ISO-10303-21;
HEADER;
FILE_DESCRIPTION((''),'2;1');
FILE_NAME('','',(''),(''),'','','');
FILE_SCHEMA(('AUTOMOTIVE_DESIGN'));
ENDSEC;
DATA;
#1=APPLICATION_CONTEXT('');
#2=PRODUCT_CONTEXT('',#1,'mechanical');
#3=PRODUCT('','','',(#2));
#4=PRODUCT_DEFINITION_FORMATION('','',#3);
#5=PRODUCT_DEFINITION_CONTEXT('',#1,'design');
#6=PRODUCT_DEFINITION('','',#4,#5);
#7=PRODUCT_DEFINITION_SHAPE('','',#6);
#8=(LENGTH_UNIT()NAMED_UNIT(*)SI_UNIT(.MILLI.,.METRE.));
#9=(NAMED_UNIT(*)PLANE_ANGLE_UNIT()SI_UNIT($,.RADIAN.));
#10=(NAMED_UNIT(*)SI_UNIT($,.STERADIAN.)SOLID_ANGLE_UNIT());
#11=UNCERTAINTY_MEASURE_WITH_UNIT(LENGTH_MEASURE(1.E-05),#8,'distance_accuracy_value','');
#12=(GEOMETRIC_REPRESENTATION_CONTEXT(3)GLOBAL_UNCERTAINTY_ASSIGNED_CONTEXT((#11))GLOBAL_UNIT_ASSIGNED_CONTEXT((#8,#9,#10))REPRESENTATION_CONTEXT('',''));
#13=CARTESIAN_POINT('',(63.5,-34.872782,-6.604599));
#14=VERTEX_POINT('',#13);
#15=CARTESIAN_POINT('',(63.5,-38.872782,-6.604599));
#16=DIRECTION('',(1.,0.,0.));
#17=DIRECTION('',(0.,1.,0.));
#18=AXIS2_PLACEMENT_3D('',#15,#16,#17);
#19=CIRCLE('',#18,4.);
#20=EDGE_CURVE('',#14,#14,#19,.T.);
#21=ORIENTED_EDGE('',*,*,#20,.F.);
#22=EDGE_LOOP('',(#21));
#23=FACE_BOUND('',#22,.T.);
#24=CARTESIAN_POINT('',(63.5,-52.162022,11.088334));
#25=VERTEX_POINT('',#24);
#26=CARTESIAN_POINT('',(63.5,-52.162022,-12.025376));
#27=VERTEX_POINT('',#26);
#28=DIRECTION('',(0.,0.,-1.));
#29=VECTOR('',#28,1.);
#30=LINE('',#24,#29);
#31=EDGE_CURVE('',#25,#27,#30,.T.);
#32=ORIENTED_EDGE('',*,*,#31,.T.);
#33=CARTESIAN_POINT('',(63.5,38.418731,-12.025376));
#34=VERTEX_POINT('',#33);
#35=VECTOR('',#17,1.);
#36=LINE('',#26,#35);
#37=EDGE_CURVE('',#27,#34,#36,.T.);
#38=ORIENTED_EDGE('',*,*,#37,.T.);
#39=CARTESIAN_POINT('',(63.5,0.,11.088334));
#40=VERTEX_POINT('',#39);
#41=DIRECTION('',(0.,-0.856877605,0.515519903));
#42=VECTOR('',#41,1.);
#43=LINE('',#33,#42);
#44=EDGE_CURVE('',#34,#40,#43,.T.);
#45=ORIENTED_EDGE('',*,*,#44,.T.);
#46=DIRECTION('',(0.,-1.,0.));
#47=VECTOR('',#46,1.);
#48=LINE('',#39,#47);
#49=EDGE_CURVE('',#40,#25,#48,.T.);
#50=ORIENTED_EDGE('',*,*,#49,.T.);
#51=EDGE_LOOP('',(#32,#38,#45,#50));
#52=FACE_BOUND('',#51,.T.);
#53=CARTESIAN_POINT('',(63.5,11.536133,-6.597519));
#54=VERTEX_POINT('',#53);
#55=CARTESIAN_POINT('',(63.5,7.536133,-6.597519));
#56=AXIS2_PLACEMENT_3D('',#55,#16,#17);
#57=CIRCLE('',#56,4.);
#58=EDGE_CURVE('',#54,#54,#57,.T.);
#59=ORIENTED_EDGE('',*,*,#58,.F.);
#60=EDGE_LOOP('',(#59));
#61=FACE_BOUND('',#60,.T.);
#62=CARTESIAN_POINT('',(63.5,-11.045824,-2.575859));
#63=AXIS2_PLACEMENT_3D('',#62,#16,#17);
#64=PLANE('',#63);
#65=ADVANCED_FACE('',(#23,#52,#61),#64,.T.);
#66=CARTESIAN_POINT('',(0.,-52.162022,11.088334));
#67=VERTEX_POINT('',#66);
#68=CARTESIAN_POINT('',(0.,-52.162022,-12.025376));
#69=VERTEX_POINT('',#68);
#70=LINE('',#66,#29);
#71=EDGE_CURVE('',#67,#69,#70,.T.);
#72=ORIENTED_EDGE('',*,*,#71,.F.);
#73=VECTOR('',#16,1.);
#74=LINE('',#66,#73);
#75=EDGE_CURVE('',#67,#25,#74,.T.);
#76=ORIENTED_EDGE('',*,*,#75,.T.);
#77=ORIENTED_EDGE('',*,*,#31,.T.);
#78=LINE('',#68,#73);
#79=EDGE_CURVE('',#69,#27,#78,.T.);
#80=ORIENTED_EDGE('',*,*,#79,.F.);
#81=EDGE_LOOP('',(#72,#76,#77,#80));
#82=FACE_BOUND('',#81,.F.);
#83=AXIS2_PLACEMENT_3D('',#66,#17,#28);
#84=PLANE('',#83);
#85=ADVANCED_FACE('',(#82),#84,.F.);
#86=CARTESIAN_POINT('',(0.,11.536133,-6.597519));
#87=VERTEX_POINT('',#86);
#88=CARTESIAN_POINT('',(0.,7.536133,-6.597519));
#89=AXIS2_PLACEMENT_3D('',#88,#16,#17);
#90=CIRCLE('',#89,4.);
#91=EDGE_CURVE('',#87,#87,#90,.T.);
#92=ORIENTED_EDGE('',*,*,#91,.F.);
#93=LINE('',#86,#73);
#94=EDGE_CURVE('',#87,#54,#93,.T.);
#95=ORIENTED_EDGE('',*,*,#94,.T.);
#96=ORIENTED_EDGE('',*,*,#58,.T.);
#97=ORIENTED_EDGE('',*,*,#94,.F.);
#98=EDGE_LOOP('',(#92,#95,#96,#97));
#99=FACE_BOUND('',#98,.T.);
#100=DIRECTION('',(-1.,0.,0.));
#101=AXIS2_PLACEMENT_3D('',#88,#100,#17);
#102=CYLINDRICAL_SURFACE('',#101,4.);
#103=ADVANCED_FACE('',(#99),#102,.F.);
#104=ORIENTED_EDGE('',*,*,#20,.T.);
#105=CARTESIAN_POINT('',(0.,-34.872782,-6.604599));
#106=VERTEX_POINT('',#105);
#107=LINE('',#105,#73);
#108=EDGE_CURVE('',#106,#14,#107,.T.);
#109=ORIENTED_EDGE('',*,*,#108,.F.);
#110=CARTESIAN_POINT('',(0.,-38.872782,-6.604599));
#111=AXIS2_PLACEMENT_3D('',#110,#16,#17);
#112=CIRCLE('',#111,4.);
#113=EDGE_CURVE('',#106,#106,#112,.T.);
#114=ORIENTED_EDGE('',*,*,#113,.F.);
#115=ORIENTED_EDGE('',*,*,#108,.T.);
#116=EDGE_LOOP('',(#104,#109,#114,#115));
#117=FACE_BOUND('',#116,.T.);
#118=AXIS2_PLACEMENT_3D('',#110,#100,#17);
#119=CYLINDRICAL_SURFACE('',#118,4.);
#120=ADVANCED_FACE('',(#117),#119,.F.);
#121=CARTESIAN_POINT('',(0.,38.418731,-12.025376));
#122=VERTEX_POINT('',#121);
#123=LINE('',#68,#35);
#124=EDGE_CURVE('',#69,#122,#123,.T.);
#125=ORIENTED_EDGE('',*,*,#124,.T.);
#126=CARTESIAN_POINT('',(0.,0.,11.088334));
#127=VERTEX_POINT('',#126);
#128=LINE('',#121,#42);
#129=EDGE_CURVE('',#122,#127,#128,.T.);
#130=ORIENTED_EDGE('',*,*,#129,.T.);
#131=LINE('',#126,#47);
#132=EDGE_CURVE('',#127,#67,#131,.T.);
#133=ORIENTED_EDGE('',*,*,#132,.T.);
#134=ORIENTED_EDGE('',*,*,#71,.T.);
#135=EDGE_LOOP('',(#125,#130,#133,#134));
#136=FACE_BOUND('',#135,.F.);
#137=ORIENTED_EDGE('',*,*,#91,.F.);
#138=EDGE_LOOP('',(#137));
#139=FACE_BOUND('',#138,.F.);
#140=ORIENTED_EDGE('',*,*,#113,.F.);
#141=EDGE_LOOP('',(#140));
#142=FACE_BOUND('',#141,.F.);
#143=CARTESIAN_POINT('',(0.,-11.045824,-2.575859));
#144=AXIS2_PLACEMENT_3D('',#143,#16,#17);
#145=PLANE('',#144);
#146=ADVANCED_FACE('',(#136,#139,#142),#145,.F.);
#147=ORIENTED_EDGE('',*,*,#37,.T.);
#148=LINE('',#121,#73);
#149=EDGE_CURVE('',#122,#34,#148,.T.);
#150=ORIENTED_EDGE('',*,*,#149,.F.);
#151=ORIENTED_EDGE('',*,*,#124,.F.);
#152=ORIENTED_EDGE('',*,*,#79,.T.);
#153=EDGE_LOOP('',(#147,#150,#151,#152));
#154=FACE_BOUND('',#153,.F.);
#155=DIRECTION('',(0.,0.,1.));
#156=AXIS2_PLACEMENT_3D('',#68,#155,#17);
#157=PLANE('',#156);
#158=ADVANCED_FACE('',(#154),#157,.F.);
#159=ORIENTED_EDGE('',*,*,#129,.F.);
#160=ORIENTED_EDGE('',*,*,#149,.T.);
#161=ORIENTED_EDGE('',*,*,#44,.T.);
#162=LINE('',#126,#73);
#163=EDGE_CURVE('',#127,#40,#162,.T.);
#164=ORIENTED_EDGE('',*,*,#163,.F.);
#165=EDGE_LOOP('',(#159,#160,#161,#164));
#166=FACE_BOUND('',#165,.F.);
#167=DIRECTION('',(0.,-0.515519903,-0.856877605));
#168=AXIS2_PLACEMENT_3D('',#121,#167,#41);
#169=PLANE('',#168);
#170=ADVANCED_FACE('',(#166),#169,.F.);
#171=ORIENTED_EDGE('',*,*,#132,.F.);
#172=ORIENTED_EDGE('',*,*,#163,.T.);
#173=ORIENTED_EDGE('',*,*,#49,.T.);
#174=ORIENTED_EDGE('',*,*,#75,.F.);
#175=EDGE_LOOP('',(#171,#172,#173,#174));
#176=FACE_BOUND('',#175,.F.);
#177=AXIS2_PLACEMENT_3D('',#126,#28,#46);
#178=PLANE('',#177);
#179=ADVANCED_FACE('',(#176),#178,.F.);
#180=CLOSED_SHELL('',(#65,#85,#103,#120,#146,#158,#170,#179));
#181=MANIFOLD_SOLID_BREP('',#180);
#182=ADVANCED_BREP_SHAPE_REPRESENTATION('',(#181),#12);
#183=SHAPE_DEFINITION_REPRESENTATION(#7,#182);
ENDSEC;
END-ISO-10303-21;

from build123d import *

# Parameters (mm, degrees)
F0_R     = 4
F1_DEPTH = 63.5


with BuildPart() as f1:
    # F0 (on Right) → F1 (new body)
    with BuildSketch(Plane.YZ):
        Polygon((0, 11.088334), (-52.162022, 11.088334), (-52.162022, -12.025376), (38.418731, -12.025376), align=None)
        with Locations((-38.872782, -6.604599)):
            Circle(F0_R, mode=Mode.SUBTRACT)
        with Locations((7.536133, -6.597519)):
            Circle(F0_R, mode=Mode.SUBTRACT)
    extrude(amount=F1_DEPTH)


solid = f1.part
